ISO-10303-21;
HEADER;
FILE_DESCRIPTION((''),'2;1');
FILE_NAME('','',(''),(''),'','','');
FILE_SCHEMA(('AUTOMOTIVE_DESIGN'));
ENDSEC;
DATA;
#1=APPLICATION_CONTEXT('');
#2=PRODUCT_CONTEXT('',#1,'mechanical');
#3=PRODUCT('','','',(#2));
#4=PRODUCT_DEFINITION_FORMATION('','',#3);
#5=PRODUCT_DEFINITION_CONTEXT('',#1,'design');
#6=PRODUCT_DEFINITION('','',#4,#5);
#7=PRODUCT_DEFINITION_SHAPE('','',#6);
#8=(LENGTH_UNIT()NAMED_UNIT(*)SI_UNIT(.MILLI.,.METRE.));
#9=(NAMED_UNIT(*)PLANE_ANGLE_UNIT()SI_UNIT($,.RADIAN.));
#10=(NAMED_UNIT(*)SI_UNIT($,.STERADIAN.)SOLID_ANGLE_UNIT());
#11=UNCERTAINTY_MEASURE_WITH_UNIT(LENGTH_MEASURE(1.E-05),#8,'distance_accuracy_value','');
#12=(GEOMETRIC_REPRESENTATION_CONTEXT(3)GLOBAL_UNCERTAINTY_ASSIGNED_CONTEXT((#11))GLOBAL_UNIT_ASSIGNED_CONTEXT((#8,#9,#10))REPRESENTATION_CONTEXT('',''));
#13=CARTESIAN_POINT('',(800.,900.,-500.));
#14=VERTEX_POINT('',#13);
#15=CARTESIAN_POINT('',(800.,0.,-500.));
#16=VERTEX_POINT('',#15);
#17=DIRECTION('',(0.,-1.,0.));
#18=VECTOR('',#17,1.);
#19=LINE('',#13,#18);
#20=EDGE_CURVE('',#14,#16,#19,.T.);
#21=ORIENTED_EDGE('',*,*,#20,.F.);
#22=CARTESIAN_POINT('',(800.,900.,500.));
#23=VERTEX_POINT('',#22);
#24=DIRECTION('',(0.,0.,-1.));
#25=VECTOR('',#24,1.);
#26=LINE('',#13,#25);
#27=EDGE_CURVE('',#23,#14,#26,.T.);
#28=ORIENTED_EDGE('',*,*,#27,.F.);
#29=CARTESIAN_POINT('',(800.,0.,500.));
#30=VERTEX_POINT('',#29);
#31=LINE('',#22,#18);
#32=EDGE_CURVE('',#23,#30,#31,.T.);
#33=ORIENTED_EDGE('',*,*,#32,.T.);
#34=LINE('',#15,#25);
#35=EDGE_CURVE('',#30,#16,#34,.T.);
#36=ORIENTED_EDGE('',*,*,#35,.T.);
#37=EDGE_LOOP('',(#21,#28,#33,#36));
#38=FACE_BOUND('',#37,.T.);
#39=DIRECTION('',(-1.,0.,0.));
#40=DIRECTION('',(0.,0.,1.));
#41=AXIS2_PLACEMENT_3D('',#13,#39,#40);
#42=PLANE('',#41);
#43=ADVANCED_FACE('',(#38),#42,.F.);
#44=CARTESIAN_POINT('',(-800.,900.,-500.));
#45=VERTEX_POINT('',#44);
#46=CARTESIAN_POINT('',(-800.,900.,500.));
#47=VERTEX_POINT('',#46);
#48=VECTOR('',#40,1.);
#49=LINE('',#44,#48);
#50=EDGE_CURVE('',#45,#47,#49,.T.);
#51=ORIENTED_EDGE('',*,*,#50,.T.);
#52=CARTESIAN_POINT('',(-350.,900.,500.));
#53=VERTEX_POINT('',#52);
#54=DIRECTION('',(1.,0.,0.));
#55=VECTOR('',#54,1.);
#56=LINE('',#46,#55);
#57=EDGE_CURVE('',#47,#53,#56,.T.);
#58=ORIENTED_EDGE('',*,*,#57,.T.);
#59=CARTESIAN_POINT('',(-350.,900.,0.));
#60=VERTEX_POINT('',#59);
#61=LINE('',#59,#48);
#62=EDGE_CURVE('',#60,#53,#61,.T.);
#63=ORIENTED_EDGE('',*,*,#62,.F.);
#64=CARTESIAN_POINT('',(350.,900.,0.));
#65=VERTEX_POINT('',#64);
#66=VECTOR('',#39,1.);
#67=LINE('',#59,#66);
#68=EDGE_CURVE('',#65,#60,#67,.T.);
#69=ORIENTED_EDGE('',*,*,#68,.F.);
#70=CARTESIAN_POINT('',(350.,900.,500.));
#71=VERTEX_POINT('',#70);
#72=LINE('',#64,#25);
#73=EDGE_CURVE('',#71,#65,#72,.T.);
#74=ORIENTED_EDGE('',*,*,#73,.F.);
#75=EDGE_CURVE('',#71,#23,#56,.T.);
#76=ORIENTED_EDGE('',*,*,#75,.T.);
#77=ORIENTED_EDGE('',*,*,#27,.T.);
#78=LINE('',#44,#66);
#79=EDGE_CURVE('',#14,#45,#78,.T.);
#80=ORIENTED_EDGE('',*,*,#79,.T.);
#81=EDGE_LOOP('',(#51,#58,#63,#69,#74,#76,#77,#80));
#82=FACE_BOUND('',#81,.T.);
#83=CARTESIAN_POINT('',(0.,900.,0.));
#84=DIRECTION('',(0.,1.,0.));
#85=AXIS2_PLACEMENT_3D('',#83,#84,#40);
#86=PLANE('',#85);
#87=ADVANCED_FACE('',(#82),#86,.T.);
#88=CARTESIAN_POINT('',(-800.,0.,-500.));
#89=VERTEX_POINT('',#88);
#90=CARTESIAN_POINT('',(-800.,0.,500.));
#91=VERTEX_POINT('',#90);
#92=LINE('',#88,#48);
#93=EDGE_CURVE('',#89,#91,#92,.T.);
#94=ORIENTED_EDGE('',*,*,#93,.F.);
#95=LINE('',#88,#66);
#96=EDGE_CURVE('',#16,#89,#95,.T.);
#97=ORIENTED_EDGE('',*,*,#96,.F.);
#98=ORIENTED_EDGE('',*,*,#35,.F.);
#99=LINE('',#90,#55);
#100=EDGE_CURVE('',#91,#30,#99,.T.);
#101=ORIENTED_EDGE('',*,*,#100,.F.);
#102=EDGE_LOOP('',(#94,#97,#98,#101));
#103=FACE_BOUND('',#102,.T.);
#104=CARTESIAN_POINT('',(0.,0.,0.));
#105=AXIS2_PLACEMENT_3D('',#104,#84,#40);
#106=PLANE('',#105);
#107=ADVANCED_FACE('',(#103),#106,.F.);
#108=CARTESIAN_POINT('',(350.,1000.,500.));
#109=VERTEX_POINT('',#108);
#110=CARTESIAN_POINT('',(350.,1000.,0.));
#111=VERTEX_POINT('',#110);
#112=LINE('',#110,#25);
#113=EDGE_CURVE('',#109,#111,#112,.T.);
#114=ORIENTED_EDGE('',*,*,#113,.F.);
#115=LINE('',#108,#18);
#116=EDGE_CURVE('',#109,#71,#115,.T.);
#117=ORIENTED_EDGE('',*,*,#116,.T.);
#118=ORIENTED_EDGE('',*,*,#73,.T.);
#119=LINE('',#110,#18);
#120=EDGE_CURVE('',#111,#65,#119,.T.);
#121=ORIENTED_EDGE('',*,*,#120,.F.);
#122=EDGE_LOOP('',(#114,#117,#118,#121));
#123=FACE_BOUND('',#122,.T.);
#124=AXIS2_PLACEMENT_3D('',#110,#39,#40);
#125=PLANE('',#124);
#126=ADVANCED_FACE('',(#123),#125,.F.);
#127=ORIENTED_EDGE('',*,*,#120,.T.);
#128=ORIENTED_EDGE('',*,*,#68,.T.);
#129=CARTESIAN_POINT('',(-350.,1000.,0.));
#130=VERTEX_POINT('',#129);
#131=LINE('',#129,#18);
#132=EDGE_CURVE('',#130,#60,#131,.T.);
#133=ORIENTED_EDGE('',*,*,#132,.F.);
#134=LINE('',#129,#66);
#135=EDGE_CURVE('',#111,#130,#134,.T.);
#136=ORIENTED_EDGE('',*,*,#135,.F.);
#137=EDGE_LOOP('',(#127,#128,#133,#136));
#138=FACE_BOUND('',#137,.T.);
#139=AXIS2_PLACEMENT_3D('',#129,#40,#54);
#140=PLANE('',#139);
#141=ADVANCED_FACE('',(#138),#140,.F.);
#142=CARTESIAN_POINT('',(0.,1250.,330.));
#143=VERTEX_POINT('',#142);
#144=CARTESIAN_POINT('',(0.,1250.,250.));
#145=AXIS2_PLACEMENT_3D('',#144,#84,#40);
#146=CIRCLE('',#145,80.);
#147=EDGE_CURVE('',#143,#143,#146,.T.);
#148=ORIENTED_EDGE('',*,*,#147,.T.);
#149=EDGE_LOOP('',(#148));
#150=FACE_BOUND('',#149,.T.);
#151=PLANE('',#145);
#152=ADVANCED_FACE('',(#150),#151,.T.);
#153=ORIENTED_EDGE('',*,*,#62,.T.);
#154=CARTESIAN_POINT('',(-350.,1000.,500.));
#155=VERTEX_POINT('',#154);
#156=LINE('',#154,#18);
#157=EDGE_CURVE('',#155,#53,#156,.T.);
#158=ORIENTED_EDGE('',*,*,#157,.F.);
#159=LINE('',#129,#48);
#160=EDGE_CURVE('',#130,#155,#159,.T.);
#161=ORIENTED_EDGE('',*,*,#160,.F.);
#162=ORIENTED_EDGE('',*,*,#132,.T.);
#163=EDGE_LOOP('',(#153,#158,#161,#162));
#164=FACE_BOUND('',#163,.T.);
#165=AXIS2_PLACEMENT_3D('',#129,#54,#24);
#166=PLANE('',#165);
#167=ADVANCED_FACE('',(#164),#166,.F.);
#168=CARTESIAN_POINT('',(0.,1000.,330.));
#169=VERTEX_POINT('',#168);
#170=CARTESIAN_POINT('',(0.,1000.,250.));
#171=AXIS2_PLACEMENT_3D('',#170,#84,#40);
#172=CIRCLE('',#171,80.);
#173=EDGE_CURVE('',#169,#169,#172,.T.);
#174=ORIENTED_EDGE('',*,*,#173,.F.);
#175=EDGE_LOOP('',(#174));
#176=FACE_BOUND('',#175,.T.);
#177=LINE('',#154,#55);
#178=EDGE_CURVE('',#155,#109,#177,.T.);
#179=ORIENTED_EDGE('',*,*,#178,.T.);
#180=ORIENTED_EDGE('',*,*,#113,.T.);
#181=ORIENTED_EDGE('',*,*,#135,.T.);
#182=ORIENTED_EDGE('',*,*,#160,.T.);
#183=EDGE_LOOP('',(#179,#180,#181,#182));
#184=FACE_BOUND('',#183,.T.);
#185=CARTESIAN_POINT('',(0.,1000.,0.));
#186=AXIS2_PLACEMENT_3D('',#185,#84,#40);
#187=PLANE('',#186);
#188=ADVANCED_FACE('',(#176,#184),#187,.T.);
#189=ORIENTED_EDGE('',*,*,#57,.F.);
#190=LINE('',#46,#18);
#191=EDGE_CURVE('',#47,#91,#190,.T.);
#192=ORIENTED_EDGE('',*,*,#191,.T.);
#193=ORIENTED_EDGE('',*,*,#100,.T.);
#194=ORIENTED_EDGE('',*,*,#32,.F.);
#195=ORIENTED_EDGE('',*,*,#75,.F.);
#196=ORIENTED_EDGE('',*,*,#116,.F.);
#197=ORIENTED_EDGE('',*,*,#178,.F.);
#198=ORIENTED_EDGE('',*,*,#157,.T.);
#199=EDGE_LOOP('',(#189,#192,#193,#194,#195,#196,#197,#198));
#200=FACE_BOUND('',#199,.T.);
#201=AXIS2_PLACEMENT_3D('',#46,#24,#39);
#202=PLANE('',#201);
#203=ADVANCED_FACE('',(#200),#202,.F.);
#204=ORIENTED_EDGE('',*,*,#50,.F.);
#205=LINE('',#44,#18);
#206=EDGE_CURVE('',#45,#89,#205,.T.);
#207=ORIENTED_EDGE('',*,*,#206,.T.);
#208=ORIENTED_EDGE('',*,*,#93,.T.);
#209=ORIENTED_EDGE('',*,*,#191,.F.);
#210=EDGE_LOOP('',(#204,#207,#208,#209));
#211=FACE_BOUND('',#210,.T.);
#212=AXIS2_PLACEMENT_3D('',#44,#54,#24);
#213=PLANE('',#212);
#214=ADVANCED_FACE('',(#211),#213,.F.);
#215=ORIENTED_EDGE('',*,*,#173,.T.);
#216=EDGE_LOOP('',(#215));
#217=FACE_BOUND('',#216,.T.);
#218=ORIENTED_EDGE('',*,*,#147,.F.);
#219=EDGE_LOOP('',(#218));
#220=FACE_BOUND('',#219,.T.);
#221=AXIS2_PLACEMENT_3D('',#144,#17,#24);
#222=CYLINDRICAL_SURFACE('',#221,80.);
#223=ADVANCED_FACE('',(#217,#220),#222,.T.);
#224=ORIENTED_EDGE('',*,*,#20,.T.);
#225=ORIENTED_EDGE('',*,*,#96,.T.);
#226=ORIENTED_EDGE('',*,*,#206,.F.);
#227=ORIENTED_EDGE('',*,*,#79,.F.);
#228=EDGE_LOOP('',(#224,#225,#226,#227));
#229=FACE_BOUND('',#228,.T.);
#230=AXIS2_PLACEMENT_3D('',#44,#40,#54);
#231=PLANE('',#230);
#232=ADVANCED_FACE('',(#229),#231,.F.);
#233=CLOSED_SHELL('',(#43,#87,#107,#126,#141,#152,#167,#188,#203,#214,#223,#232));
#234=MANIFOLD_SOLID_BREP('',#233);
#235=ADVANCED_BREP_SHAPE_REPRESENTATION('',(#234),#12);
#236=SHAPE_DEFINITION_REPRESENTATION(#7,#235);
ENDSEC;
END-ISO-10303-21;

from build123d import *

# Parameters (mm, degrees)
SKETCH_1_W      = 1600
SKETCH_1_H      = 1000
EXTRUDE_1_DEPTH = 900
SKETCH_2_W      = 700
SKETCH_2_H      = 500
EXTRUDE_2_DEPTH = 100
SKETCH_5_R      = 80
EXTRUDE_5_DEPTH = 250


with BuildPart() as part:
    # 草图1 → 凸台-拉伸1 (new body)
    with BuildSketch(Plane(origin=(0, 0, 0), x_dir=(1, 0, 0), z_dir=(0, 1, 0))):
        Rectangle(SKETCH_1_W, SKETCH_1_H)
    extrude(amount=EXTRUDE_1_DEPTH)

    # 草图2 → 凸台-拉伸2 (add)
    with BuildSketch(Plane(origin=(0, 900, 0), x_dir=(1, 0, 0), z_dir=(0, 1, 0))):
        with Locations((0, -250)):
            Rectangle(SKETCH_2_W, SKETCH_2_H)
    extrude(amount=EXTRUDE_2_DEPTH)

    # 草图5 → 凸台-拉伸5 (add)
    with BuildSketch(Plane(origin=(0, 1000, 0), x_dir=(1, 0, 0), z_dir=(0, 1, 0))):
        with Locations((0, -250)):
            Circle(SKETCH_5_R)
    extrude(amount=EXTRUDE_5_DEPTH)


solid = part.part
